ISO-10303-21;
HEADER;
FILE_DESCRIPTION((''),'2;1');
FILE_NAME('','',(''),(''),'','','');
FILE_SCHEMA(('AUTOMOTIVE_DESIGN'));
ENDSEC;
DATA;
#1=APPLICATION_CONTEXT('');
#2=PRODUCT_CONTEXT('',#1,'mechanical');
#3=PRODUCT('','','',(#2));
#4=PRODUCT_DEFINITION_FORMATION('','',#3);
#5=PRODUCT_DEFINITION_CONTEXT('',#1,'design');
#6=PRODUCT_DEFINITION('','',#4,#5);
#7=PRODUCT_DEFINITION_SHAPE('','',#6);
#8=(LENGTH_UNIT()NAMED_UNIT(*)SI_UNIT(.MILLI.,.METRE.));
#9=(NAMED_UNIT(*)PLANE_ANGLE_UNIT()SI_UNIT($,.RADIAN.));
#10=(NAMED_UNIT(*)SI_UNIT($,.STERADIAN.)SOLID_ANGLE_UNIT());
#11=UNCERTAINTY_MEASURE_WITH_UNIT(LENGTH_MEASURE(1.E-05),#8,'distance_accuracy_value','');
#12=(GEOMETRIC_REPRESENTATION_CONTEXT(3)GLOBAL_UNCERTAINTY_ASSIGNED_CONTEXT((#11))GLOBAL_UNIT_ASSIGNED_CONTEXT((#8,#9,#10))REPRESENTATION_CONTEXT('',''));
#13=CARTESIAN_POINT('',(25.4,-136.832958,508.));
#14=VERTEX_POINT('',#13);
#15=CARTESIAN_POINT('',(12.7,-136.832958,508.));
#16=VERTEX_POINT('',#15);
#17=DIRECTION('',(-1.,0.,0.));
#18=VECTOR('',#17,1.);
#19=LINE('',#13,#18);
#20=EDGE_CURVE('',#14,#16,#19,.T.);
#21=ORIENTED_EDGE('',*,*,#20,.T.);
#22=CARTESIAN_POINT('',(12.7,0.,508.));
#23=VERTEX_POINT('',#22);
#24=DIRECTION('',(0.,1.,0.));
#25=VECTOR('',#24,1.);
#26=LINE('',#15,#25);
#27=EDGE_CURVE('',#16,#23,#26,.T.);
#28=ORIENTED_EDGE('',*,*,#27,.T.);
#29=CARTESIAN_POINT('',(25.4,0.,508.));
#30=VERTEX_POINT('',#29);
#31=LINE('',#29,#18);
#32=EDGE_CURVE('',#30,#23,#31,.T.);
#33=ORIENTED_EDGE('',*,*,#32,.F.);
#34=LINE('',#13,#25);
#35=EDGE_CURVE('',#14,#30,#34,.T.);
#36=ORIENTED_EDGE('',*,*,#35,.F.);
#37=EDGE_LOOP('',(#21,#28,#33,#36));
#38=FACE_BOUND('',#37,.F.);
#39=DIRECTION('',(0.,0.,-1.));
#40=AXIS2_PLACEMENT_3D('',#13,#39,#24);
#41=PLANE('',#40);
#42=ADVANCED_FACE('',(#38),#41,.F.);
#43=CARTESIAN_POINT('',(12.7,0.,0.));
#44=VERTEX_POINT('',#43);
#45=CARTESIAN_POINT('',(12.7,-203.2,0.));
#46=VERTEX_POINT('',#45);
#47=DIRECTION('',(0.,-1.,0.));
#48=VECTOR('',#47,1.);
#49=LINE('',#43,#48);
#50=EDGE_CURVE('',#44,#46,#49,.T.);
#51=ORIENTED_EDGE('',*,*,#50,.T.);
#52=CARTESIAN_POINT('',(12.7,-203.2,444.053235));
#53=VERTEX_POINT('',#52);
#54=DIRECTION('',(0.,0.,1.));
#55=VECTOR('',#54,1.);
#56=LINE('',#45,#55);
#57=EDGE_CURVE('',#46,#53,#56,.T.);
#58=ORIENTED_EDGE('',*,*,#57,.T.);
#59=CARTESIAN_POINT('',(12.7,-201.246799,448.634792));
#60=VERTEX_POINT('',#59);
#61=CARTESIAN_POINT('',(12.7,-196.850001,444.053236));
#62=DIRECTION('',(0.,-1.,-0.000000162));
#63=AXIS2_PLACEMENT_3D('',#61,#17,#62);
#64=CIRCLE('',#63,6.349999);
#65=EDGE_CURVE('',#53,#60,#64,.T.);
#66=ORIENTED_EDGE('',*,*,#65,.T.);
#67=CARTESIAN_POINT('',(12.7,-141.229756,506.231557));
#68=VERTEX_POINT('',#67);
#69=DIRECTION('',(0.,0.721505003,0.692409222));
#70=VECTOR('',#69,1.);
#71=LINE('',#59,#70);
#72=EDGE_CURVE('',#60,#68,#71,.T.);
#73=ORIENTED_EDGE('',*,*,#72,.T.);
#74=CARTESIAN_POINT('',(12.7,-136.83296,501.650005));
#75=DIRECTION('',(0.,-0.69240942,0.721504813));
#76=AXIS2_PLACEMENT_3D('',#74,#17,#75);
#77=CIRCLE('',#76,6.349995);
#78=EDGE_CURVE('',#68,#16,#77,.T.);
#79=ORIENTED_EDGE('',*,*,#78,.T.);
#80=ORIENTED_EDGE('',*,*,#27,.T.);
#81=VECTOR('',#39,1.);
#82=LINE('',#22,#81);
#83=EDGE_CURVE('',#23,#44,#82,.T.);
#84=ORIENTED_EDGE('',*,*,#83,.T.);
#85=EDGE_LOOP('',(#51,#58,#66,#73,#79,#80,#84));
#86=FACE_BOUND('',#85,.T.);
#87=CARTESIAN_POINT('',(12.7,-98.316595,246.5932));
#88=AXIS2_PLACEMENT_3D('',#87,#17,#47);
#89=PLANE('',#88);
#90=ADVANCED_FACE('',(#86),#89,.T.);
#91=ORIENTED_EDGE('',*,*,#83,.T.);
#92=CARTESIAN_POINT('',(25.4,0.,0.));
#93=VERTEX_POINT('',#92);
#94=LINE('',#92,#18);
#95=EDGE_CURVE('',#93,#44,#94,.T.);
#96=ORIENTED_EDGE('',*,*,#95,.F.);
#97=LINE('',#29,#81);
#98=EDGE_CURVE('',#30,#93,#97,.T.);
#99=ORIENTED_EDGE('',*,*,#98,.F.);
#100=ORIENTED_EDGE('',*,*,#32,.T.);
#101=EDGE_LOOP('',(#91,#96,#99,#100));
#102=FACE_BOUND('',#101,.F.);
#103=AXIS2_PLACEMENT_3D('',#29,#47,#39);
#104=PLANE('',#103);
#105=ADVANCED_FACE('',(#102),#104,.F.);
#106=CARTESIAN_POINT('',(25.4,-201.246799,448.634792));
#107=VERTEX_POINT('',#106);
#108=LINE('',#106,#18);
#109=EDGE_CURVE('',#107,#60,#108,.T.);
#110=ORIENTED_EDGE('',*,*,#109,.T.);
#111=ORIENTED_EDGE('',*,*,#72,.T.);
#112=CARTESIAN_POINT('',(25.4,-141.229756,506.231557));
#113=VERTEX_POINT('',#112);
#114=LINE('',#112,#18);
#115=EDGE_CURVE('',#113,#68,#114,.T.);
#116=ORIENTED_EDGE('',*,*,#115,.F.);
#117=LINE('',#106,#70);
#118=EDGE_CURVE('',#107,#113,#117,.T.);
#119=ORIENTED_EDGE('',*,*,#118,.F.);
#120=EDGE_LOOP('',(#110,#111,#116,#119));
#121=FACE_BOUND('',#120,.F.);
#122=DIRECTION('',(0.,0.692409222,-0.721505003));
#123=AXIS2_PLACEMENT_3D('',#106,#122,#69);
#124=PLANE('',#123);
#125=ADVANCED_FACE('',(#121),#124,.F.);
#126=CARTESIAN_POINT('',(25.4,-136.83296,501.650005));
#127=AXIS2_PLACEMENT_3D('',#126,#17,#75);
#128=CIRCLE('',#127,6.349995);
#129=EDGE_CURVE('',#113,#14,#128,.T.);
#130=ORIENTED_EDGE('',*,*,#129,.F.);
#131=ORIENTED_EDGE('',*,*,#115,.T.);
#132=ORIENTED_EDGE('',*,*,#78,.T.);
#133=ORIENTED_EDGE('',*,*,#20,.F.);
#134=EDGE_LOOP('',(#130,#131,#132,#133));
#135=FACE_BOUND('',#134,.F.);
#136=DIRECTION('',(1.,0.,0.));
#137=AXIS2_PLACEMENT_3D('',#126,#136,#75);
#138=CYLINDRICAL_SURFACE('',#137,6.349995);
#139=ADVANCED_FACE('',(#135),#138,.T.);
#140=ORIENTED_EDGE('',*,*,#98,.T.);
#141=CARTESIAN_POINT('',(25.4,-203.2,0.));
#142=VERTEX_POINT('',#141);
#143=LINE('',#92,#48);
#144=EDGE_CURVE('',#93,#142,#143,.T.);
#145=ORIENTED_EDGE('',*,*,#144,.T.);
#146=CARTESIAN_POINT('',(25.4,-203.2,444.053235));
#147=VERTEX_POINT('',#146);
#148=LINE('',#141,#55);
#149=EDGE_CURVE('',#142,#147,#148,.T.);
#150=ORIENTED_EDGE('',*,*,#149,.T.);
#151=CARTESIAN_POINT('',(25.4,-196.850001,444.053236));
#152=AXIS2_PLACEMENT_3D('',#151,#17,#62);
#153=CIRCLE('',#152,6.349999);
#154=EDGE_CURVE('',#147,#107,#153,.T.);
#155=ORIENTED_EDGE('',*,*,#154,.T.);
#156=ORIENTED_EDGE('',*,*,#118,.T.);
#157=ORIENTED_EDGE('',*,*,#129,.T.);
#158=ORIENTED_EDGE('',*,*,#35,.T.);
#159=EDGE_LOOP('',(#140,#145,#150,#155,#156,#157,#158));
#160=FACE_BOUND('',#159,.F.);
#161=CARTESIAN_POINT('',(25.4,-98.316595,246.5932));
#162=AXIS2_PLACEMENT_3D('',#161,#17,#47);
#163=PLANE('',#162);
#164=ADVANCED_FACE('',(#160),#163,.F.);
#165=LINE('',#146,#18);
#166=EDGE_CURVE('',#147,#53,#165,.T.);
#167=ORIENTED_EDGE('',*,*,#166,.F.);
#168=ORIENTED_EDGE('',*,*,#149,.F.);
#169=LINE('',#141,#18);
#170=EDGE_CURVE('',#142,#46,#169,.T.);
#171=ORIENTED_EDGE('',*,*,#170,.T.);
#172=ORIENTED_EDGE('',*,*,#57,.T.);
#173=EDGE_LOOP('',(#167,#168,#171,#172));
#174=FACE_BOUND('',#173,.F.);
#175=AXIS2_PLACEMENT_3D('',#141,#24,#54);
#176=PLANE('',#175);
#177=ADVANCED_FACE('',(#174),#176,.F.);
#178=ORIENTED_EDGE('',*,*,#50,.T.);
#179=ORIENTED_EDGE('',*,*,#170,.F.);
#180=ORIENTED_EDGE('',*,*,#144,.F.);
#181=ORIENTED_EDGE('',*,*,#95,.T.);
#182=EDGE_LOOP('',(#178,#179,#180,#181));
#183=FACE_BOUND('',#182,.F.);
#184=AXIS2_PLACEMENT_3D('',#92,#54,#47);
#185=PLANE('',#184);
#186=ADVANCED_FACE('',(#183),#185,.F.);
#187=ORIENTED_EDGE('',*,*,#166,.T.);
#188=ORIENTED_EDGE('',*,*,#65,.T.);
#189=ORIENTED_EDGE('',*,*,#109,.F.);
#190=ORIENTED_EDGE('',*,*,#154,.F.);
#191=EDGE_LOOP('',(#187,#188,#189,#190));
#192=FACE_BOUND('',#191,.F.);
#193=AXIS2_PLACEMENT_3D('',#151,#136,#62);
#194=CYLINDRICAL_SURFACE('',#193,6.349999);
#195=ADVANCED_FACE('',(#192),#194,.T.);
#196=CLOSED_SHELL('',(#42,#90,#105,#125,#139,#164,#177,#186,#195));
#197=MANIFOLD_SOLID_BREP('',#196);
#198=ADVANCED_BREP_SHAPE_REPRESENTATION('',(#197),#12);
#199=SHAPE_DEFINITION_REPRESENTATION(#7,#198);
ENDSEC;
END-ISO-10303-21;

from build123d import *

# Parameters (mm, degrees)
F1_DEPTH = 12.7
F2_ANGLE = 180


with BuildPart() as f1:
    # F0 (on Right) → F1 (new body)
    with BuildSketch(Plane.YZ):
        with BuildLine():
            Line((0, 508), (0, 0))
            Line((0, 0), (203.2, 0))
            Line((203.2, 0), (203.2, 444.053235))
            ThreePointArc((203.2, 444.053235), (202.691326, 446.543499), (201.246799, 448.634792))
            Line((201.246799, 448.634792), (141.229756, 506.231557))
            ThreePointArc((141.229756, 506.231557), (139.202516, 507.541324), (136.832958, 508))
            Line((136.832958, 508), (0, 508))
        make_face()
    extrude(amount=F1_DEPTH)


with BuildPart() as f1_1:
    # F2: moved
    add(f1.part.rotate(Axis((12.7, 0, 254), (0, 0, -1)), F2_ANGLE))


solid = f1_1.part
